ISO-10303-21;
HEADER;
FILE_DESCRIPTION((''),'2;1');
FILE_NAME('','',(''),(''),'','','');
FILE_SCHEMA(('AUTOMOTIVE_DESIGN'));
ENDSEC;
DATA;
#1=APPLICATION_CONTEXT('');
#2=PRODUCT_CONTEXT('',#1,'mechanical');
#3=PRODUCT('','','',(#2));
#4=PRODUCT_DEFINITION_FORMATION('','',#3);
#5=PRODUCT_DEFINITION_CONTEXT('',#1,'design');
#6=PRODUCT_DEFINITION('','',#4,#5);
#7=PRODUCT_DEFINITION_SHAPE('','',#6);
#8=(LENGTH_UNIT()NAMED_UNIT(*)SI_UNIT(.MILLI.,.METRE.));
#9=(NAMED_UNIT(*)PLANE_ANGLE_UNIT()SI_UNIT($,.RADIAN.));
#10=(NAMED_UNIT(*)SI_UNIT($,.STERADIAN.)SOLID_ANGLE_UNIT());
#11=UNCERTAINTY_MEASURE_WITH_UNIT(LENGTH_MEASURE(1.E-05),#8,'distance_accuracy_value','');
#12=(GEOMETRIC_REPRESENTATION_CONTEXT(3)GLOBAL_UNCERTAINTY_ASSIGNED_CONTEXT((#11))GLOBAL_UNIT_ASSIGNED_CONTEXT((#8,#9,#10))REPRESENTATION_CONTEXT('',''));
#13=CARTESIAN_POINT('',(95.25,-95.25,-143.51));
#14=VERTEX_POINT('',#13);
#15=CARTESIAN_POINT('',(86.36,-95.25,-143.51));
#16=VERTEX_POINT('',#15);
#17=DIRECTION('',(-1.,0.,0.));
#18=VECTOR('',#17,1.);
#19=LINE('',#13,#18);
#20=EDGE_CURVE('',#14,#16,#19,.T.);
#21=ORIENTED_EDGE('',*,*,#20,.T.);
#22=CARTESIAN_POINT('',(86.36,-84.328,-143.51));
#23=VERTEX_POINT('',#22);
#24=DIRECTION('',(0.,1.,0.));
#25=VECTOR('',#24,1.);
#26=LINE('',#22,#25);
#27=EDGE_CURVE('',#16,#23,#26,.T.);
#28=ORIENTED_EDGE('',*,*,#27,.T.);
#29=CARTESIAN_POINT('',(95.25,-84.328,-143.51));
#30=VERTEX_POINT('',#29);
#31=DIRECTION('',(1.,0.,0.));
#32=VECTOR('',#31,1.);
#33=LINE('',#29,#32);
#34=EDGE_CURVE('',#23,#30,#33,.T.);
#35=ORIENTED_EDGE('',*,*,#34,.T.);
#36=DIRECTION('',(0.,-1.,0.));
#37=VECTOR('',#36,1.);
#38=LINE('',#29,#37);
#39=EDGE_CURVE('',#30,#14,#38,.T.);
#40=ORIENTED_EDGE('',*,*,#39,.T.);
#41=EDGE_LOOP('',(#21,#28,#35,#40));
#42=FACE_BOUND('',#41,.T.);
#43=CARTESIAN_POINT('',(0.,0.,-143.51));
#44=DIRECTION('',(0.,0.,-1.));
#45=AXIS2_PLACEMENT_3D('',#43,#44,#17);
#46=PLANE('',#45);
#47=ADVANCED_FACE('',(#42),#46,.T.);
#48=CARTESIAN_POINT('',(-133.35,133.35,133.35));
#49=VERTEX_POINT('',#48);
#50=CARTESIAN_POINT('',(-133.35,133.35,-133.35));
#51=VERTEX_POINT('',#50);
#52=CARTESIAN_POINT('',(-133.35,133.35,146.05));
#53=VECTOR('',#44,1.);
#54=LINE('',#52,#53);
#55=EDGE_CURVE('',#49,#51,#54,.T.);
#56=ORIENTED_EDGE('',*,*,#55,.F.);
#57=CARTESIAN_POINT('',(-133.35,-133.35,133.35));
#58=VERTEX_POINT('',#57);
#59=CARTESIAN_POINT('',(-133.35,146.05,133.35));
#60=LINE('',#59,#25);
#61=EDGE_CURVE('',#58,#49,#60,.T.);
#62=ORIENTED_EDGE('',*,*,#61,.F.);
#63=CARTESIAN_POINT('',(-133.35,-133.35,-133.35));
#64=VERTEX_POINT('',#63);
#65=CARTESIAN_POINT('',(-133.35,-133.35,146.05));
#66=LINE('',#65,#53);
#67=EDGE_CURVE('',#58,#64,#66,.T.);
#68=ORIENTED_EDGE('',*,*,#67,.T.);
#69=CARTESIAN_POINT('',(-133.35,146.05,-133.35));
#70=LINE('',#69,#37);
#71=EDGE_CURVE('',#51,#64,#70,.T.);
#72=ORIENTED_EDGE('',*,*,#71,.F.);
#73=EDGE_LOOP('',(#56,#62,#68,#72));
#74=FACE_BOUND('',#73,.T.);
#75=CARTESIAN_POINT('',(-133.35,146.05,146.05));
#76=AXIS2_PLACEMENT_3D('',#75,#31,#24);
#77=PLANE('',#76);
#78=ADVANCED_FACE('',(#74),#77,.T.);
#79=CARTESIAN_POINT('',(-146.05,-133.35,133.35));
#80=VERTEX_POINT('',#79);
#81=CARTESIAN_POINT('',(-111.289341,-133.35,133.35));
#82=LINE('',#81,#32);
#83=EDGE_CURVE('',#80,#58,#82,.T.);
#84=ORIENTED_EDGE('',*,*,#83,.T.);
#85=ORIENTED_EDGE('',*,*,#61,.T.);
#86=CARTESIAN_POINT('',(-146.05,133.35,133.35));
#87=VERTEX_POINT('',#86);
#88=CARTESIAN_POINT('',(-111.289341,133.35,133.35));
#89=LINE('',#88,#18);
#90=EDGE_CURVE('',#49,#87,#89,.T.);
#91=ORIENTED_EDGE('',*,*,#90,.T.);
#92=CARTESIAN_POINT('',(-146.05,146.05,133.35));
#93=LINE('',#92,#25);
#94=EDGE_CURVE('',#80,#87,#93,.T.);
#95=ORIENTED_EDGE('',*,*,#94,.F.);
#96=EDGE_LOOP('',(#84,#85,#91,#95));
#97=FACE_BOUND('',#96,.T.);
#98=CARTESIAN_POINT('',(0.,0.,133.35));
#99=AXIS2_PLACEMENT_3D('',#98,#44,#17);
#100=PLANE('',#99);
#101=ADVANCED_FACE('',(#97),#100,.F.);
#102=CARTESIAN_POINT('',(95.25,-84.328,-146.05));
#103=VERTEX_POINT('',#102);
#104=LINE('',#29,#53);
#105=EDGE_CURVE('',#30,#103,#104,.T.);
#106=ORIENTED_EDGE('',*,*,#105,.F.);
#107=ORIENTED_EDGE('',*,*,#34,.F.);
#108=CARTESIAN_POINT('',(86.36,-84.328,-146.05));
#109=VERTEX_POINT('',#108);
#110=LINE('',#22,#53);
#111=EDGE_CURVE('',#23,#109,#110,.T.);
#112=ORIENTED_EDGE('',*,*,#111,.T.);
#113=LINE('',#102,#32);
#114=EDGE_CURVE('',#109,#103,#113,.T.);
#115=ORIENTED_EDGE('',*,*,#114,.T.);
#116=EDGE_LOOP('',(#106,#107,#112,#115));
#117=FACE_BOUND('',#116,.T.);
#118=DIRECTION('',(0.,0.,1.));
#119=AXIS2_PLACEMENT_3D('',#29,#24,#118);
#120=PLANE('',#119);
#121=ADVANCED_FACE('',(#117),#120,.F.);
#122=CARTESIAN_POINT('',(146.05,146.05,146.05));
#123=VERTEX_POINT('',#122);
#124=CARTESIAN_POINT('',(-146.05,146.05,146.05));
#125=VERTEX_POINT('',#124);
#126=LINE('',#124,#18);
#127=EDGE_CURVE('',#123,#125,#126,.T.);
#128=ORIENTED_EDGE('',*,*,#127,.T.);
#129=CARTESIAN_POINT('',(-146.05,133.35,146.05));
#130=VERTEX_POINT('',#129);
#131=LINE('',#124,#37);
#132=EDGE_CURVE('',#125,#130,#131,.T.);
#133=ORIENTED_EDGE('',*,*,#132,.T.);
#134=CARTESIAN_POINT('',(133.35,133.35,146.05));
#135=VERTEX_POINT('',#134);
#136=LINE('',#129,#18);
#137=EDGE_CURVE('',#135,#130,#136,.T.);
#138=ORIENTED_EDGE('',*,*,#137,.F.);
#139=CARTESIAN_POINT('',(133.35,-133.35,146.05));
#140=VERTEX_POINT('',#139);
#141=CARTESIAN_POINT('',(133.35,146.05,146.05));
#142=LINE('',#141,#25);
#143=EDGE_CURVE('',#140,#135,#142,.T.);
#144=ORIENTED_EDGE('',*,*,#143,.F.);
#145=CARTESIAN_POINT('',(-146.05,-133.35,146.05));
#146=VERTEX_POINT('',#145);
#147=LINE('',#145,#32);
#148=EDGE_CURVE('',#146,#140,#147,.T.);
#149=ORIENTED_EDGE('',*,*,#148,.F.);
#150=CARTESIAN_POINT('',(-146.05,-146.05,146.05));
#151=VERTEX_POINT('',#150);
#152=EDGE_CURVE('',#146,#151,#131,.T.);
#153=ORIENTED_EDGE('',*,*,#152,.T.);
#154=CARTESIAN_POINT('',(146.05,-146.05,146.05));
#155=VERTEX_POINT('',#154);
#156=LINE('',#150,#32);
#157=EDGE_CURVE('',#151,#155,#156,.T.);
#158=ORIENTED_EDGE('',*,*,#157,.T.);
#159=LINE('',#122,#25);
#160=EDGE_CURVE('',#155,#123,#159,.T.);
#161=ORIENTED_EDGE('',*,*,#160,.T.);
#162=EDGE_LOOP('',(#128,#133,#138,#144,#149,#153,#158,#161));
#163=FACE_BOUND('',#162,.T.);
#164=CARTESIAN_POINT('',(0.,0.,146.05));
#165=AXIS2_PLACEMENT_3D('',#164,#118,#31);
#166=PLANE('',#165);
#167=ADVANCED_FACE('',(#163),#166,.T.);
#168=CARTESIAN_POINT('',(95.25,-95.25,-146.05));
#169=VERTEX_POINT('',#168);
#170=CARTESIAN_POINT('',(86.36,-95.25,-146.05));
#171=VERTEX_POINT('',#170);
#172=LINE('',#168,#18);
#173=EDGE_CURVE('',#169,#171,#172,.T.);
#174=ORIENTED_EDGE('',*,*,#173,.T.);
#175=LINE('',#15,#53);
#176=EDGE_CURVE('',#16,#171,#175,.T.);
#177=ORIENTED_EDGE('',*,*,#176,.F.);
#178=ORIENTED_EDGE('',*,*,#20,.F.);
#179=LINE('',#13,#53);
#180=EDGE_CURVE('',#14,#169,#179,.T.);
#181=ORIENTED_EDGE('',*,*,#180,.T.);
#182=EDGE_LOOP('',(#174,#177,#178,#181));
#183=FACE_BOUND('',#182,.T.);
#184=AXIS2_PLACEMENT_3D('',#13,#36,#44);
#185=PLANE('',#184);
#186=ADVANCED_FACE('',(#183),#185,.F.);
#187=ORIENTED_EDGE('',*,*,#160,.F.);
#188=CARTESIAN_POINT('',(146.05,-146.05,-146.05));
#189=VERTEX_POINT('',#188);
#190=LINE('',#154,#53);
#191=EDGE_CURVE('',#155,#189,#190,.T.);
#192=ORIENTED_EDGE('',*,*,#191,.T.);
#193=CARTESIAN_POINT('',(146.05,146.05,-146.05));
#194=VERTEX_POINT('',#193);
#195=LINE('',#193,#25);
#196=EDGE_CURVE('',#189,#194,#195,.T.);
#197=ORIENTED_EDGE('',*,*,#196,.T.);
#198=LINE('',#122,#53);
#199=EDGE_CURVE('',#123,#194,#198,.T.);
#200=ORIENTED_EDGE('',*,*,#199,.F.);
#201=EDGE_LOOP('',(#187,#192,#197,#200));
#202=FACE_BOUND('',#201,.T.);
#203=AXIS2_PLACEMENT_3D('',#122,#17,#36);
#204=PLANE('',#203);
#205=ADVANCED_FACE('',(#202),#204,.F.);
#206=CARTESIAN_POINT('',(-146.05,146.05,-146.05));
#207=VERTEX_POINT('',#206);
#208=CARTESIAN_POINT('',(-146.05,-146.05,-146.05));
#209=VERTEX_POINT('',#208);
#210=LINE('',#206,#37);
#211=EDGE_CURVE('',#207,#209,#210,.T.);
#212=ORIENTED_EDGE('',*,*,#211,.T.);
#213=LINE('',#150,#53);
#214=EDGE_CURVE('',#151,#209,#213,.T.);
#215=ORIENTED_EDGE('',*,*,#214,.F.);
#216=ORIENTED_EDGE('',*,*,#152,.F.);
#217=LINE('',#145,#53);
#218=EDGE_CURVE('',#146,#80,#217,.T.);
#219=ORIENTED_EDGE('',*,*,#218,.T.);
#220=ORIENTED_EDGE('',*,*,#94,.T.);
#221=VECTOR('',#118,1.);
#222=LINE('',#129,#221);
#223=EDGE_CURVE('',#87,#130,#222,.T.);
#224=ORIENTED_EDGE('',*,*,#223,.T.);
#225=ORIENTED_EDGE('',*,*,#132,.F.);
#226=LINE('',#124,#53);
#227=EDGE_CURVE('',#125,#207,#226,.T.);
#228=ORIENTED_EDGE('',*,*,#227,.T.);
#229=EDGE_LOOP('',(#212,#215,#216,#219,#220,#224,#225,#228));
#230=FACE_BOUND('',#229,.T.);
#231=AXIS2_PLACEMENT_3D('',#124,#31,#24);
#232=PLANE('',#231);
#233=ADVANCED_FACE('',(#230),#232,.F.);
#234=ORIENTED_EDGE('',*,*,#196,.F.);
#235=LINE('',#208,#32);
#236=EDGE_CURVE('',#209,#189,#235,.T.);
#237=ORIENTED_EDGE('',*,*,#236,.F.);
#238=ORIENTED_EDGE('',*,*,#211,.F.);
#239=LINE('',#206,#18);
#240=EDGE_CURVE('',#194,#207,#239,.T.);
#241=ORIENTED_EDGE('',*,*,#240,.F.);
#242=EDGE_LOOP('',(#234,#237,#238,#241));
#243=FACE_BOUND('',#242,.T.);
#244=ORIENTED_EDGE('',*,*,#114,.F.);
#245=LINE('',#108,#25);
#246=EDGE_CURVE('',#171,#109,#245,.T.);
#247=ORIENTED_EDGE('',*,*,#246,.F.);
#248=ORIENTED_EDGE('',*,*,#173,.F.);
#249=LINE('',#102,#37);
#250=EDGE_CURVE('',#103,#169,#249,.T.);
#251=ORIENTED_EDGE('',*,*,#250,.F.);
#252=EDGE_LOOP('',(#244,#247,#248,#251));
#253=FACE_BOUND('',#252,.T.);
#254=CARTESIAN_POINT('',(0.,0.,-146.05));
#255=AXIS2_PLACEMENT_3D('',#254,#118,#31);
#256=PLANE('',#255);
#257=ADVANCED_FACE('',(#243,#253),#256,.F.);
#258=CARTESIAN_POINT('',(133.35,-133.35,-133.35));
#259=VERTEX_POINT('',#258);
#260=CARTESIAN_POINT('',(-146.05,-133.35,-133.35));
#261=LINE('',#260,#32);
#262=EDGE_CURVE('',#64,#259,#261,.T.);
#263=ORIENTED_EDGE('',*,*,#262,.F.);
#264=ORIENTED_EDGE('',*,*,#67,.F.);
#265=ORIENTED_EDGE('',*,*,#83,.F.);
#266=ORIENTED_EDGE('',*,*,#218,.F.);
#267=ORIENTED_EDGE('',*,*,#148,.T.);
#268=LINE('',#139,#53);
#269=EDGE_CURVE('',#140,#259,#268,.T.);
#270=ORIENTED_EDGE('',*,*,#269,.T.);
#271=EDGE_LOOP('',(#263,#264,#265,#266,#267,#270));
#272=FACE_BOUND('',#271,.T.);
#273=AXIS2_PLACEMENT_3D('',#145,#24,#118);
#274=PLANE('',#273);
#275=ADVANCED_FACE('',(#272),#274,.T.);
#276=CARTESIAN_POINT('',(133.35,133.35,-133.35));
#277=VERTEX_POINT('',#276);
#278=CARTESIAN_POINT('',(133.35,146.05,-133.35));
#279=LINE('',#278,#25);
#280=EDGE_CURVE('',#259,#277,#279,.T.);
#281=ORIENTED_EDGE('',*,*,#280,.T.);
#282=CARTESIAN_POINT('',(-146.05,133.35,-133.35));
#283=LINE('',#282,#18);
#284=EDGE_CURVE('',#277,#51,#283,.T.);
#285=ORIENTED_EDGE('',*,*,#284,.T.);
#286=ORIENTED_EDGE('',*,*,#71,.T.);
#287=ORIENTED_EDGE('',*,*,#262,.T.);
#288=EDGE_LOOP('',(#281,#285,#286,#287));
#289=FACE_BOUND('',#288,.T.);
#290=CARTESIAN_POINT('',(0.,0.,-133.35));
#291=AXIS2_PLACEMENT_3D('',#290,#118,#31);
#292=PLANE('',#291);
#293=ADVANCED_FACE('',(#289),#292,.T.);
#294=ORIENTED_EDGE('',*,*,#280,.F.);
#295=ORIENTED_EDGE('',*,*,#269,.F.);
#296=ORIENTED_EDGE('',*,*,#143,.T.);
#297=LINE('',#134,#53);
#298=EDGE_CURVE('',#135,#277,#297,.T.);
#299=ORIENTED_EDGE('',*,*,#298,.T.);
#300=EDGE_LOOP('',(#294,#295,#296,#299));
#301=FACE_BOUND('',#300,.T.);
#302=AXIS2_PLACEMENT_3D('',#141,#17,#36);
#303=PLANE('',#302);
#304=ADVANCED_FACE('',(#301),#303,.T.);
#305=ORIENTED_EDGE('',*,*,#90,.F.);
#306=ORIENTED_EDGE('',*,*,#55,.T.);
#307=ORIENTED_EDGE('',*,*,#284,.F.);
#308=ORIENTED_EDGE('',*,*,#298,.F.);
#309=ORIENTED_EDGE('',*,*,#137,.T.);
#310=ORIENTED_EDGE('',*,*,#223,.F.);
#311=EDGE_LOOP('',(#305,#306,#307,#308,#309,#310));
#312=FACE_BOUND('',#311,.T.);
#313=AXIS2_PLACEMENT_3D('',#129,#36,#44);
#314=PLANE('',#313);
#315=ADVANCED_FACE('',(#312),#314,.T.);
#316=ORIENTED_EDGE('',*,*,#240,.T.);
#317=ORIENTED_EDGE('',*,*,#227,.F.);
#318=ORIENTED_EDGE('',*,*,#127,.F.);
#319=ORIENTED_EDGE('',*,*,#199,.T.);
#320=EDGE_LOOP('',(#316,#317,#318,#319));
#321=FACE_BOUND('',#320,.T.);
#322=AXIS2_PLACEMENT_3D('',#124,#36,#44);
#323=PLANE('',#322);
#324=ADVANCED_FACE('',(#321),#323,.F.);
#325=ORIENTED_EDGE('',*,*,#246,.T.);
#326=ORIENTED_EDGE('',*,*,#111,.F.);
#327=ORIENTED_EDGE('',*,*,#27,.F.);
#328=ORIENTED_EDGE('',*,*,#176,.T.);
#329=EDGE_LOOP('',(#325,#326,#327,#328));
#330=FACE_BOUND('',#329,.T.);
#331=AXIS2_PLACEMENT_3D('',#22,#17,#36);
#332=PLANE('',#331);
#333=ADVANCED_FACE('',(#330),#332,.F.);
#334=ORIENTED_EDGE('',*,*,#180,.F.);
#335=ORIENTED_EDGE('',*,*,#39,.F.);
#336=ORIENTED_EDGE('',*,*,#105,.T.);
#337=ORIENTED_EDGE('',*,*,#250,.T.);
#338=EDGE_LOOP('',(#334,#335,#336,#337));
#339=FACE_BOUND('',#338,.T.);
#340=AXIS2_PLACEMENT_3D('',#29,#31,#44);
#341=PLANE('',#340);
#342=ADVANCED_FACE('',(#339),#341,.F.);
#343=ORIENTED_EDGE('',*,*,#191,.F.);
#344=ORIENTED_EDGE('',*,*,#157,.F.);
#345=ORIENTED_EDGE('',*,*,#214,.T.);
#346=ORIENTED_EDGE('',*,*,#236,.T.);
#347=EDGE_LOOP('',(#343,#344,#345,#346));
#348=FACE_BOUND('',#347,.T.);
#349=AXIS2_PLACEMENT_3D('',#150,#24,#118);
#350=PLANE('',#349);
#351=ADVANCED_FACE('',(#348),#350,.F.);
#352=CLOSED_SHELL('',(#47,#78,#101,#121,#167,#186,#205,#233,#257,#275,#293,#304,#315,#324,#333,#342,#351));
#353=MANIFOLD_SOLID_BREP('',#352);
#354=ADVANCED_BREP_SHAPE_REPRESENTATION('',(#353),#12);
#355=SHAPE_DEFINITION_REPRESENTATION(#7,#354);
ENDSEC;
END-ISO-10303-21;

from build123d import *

# Parameters (mm, degrees)
SKETCH2_W           = 292.1
SKETCH2_H           = 292.1
BOSS_EXTRUDE1_DEPTH = 146.05
SHELL1_T            = -12.7
SKETCH3_W           = 44.121317042
SKETCH3_H           = 266.7
CUT_EXTRUDE1_DEPTH  = 12.7
SKETCH4_W           = 8.89
SKETCH4_H           = 10.922
CUT_EXTRUDE2_DEPTH  = 2.54


with BuildPart() as part:
    # Sketch2 → Boss-Extrude1 (new body, symmetric)
    with BuildSketch(Plane.XY):
        Rectangle(SKETCH2_W, SKETCH2_H)
    extrude(amount=BOSS_EXTRUDE1_DEPTH, both=True)

    # Shell1
    shell1_openings = [part.faces().sort_by_distance(p)[0] for p in [
        (0, 0, 146.05),
    ]]
    offset(amount=SHELL1_T, openings=shell1_openings, kind=Kind.INTERSECTION)

    # Sketch3 → Cut-Extrude1 (cut)
    with BuildSketch(Plane.XY.offset(146.05)):
        with Locations((-133.35, 0)):
            Rectangle(SKETCH3_W, SKETCH3_H)
    extrude(amount=-CUT_EXTRUDE1_DEPTH, mode=Mode.SUBTRACT)

    # Sketch4 → Cut-Extrude2 (cut)
    with BuildSketch(Plane(origin=(0, 0, -146.05), x_dir=(-1, 0, 0), z_dir=(0, 0, -1))):
        with Locations((-90.805, -89.789)):
            Rectangle(SKETCH4_W, SKETCH4_H)
    extrude(amount=-CUT_EXTRUDE2_DEPTH, mode=Mode.SUBTRACT)


solid = part.part
